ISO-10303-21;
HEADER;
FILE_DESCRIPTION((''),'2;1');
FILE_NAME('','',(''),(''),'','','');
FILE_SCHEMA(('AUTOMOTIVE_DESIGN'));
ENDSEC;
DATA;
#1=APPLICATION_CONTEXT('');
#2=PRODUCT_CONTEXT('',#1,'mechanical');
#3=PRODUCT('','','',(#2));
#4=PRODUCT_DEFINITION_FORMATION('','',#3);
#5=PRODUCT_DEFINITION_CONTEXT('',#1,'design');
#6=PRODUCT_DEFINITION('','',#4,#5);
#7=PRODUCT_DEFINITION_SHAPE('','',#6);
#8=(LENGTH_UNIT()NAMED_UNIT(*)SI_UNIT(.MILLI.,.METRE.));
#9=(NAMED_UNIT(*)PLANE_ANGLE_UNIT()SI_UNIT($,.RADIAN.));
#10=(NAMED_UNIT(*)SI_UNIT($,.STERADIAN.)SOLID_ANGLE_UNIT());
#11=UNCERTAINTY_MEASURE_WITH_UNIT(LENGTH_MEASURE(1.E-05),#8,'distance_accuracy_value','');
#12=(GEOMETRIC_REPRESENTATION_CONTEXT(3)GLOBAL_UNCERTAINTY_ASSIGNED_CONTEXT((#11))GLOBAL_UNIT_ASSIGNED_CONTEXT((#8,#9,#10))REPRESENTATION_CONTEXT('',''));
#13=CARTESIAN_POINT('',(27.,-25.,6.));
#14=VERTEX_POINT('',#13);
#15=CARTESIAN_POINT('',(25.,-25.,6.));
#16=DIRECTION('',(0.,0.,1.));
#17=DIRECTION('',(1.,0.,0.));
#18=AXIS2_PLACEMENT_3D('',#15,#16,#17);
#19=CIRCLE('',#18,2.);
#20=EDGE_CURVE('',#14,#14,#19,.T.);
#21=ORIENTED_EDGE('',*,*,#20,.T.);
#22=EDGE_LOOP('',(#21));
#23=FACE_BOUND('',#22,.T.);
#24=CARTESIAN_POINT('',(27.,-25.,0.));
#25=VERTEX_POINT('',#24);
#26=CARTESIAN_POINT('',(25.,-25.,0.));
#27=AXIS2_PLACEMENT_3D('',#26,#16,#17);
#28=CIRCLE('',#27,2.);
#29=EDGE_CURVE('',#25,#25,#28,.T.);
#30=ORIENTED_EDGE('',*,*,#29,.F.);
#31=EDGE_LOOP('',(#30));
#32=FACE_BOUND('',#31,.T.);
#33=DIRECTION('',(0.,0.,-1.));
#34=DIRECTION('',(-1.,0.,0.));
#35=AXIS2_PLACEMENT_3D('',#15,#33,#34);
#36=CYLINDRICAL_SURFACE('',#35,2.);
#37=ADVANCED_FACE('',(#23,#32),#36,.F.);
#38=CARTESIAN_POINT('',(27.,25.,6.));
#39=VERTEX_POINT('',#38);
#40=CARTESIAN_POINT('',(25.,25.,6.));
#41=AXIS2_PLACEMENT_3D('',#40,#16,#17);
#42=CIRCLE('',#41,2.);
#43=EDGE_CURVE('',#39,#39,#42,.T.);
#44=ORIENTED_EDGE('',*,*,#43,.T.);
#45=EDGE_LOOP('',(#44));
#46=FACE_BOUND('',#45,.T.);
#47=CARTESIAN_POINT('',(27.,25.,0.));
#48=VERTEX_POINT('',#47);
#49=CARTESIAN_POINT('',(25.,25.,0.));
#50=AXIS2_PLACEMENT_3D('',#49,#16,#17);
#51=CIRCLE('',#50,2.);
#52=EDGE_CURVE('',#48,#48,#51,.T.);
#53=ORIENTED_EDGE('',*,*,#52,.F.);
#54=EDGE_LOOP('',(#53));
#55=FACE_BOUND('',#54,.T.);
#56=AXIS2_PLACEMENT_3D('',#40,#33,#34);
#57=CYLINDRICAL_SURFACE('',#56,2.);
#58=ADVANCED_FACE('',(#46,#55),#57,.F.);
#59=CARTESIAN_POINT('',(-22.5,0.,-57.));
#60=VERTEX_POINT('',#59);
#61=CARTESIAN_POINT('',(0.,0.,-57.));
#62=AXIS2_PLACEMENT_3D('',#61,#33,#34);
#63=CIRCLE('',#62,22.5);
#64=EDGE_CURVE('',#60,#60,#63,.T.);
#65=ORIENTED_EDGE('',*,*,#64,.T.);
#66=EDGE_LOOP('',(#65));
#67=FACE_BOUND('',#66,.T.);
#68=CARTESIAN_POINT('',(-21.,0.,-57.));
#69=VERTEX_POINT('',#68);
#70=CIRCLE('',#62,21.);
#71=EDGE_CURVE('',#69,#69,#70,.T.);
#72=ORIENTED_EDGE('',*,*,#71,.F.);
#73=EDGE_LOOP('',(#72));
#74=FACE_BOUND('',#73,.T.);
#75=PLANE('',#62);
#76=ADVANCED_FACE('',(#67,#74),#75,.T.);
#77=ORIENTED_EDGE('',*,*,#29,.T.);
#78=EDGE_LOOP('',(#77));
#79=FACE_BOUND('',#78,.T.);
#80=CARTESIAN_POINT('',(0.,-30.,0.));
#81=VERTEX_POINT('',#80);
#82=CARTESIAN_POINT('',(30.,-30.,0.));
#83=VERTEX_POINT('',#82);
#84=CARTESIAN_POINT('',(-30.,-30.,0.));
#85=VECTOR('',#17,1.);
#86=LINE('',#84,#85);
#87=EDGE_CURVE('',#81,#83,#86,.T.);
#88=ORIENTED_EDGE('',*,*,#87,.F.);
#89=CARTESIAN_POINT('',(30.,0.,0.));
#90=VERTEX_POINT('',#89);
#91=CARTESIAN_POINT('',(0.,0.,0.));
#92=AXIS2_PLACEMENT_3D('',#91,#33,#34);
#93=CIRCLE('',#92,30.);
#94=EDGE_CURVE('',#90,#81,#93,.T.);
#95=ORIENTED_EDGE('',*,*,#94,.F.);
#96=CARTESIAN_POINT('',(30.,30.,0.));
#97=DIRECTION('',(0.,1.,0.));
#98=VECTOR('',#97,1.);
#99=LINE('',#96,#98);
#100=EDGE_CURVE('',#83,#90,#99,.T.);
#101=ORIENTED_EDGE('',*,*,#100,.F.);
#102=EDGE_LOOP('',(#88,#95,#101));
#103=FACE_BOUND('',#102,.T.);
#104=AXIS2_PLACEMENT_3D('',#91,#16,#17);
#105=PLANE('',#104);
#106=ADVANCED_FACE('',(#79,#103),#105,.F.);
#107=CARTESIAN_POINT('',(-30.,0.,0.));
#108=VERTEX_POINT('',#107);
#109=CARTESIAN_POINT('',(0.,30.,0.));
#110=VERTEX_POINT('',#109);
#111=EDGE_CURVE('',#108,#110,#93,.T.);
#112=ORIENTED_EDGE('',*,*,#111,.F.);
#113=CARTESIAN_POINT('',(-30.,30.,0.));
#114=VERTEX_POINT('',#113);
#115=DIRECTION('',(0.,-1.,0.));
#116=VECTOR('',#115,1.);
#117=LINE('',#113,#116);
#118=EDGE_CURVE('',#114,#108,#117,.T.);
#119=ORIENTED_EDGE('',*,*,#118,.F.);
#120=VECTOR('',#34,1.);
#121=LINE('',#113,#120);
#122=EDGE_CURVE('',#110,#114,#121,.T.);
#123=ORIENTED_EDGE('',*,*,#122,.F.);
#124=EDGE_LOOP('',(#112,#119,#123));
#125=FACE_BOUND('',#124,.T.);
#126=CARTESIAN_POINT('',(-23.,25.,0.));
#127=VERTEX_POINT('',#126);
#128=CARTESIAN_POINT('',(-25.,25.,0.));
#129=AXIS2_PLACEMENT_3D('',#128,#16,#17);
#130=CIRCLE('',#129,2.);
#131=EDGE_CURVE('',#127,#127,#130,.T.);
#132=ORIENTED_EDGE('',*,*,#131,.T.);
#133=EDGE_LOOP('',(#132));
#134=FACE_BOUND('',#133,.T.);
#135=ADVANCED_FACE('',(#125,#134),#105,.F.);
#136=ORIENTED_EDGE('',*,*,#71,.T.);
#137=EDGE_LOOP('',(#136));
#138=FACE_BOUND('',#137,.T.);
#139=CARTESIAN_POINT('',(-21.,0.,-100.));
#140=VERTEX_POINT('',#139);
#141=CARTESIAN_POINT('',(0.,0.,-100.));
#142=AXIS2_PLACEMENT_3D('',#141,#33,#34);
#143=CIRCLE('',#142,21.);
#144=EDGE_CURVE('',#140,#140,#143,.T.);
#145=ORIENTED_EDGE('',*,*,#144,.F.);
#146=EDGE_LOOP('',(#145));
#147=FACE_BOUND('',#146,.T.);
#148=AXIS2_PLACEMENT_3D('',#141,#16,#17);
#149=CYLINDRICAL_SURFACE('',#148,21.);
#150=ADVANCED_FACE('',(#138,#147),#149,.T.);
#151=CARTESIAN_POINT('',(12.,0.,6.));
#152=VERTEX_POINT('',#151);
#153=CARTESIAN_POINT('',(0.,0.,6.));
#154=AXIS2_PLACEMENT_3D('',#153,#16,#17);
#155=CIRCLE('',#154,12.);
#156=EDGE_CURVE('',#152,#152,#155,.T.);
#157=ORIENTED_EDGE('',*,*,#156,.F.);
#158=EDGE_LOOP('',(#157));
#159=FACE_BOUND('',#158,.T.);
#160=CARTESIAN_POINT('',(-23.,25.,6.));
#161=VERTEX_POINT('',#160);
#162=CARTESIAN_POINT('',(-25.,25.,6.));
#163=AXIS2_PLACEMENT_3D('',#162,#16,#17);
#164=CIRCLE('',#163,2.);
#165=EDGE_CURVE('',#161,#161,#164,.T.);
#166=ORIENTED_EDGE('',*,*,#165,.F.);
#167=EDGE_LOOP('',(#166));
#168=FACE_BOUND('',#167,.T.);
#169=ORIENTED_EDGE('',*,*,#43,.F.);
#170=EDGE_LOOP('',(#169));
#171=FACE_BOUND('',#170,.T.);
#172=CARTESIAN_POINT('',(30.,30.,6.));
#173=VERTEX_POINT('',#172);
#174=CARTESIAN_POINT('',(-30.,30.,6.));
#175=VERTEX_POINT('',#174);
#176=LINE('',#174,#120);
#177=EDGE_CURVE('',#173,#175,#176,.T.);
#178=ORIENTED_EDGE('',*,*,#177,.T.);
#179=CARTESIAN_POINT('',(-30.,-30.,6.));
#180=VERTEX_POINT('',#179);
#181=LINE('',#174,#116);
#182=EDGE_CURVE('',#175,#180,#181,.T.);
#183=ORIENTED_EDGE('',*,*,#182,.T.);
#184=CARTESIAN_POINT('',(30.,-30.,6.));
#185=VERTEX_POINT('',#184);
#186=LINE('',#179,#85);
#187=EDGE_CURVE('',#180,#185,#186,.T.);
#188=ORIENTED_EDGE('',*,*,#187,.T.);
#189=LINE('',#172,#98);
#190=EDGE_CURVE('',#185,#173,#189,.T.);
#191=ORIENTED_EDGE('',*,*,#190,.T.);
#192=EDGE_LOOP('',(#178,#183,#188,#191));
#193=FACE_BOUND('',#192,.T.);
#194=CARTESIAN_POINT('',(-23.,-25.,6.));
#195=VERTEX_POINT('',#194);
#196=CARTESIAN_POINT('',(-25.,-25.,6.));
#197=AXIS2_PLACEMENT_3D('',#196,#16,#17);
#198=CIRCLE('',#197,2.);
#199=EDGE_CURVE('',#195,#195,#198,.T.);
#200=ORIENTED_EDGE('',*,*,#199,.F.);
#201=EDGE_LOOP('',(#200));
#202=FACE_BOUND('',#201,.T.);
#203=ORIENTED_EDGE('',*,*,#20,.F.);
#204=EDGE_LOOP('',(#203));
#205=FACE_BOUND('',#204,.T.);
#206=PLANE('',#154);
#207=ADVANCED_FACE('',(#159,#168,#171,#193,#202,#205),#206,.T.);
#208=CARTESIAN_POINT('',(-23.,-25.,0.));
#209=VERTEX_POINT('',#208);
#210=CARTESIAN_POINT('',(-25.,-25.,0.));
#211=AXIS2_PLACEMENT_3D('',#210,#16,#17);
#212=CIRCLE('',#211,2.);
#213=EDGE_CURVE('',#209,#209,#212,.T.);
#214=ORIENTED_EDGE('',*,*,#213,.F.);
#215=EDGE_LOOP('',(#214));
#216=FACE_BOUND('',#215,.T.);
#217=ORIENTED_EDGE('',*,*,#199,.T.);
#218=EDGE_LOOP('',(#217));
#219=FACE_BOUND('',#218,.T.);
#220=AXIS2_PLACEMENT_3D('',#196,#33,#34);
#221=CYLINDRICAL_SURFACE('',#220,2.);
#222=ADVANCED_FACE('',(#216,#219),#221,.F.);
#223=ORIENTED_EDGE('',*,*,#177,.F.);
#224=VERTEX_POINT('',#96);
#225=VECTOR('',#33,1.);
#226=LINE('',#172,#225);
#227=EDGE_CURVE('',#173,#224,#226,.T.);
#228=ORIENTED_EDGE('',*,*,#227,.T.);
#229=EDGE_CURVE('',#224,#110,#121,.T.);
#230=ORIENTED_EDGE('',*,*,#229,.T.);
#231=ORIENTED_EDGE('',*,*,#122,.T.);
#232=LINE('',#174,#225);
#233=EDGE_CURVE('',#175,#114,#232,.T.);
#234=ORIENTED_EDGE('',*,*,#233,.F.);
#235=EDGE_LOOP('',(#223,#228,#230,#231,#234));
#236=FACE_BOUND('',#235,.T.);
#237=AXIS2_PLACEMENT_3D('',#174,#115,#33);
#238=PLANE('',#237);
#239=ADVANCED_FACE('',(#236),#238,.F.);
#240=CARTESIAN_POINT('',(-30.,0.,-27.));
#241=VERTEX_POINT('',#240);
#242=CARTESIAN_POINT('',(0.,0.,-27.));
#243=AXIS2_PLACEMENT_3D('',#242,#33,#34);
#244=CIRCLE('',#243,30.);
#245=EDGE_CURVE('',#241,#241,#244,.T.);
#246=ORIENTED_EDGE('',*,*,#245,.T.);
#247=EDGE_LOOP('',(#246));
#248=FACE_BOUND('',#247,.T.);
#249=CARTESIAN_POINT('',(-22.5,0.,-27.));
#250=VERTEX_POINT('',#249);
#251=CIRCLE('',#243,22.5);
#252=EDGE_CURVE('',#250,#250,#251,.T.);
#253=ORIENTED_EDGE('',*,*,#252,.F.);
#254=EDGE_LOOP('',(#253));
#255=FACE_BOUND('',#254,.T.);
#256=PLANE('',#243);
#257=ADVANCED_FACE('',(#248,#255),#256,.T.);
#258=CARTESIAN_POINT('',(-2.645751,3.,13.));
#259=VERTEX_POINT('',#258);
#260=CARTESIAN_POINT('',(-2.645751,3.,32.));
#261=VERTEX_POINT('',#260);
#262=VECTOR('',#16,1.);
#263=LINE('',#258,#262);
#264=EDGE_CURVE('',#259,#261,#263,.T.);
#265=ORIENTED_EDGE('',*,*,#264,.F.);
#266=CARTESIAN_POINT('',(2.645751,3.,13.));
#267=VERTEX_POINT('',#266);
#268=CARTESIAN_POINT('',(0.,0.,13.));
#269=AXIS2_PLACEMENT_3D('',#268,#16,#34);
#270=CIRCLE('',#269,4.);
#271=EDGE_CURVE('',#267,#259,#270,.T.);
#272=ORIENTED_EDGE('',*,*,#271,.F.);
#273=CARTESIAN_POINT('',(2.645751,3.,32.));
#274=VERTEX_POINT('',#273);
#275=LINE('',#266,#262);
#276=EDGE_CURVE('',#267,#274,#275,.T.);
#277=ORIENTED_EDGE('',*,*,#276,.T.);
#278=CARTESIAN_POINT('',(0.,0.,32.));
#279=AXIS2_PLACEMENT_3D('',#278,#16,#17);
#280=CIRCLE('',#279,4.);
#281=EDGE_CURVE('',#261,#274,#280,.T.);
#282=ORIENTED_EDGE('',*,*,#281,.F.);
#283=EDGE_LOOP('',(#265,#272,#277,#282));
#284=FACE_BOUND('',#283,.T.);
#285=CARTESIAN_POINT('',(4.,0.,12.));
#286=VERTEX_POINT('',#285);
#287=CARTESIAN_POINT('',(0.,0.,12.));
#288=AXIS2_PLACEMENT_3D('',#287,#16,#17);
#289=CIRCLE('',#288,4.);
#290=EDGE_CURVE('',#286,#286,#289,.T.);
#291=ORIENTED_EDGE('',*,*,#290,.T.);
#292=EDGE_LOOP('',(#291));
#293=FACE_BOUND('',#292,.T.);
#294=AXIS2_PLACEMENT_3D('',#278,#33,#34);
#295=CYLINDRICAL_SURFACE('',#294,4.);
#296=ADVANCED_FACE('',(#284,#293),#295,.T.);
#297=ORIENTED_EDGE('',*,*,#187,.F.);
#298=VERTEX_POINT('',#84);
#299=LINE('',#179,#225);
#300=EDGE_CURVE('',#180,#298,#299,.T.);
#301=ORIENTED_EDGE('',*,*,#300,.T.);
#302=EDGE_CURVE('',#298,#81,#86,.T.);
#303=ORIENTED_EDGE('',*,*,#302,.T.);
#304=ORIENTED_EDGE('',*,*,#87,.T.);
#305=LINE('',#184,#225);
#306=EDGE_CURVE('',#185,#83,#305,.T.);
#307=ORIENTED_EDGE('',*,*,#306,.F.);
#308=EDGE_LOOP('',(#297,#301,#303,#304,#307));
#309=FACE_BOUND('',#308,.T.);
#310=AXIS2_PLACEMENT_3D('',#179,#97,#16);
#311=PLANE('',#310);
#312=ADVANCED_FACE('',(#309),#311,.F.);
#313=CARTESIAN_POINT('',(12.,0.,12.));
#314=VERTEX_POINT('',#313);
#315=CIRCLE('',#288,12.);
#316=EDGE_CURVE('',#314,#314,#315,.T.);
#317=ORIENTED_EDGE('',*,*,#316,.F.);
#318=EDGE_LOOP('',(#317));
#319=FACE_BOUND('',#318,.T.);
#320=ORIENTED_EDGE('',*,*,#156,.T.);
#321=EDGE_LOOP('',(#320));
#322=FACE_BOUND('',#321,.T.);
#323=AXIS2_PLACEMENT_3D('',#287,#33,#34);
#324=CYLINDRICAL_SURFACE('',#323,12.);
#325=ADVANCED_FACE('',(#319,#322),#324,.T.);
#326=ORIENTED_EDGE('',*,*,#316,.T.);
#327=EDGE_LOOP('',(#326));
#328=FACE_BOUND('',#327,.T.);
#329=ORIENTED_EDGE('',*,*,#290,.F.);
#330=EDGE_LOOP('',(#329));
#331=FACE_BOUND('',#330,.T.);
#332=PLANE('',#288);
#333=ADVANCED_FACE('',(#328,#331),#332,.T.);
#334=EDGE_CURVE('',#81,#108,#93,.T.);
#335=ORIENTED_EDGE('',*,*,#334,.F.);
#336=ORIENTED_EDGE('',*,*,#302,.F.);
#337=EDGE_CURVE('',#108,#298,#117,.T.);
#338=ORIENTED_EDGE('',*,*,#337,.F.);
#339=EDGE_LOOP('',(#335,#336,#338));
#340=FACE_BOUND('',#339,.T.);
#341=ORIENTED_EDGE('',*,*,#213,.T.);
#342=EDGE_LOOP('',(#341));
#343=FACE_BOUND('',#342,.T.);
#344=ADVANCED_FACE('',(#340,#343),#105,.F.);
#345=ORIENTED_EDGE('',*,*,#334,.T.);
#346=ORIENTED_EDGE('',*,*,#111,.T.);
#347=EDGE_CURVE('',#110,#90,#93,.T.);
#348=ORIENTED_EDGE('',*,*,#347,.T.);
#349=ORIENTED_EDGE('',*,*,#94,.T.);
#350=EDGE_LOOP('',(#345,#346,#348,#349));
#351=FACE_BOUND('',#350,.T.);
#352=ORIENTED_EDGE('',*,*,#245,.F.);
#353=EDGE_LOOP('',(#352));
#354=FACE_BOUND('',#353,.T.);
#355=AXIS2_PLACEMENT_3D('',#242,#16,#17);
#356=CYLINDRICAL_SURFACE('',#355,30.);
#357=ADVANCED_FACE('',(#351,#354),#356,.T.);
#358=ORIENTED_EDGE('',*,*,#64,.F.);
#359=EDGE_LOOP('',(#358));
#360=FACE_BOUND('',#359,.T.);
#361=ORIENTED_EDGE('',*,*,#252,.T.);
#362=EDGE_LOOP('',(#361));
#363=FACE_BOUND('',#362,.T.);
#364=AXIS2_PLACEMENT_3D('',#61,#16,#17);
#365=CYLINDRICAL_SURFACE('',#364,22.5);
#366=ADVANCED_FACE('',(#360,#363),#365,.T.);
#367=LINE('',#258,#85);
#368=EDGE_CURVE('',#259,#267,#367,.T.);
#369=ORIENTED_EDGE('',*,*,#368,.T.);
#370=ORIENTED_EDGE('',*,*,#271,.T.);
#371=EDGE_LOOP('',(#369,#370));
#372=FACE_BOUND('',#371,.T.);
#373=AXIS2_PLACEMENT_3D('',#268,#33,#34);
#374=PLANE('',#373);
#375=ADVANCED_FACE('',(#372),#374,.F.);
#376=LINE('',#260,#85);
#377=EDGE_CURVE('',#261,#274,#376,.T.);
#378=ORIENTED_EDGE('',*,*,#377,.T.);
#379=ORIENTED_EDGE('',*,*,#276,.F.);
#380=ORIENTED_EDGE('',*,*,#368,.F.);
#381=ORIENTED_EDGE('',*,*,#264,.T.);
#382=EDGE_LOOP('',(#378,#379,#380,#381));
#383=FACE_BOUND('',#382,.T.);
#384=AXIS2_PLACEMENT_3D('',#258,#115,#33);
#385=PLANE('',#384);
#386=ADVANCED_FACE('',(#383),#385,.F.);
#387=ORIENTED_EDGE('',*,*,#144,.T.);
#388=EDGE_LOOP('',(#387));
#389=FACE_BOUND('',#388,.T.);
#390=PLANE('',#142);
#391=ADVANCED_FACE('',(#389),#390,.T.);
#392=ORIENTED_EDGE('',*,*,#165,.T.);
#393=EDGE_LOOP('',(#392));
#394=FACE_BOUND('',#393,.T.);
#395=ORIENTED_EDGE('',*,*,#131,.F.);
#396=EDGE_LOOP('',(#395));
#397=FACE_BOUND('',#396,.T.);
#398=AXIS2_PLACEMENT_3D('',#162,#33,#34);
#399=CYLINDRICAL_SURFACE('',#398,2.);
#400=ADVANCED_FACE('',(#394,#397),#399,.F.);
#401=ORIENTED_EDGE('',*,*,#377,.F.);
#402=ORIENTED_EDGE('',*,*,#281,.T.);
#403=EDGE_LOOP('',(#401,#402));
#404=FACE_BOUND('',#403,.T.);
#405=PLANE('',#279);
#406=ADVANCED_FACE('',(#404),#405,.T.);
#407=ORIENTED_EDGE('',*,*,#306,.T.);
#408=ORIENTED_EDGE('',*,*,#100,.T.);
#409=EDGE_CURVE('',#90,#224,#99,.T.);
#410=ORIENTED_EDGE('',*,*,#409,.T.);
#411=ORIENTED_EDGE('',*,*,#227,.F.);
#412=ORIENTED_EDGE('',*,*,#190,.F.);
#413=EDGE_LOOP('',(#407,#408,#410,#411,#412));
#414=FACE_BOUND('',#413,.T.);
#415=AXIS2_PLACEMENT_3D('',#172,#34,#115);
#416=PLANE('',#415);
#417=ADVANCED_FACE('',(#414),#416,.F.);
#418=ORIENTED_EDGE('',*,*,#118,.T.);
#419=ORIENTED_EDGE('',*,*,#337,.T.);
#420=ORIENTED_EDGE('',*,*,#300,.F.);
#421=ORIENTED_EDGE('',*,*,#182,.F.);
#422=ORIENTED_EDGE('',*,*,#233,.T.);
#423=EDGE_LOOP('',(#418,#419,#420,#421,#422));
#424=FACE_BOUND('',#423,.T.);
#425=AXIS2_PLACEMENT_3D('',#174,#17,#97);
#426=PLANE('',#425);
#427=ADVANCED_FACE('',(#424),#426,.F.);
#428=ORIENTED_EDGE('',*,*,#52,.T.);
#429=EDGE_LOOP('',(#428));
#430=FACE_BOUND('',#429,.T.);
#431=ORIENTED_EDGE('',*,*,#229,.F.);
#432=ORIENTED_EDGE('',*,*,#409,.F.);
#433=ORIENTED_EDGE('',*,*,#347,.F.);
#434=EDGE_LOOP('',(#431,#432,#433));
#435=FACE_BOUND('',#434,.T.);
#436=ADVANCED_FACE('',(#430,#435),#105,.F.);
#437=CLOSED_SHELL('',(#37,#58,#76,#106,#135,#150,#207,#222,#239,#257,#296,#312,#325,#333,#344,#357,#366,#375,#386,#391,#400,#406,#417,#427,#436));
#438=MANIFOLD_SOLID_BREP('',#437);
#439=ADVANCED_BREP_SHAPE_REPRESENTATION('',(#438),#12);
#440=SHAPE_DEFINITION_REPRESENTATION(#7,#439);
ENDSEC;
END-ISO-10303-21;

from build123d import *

# Parameters (mm, degrees)
SKETCH1_W           = 60
SKETCH1_H           = 60
SKETCH1_R           = 2
BOSS_EXTRUDE1_DEPTH = 6
SKETCH2_R           = 12
BOSS_EXTRUDE2_DEPTH = 6
SKETCH3_R           = 4
BOSS_EXTRUDE3_DEPTH = 20
CUT_EXTRUDE1_START  = -19
CUT_EXTRUDE1_DEPTH  = 19
SKETCH5_R           = 30
BOSS_EXTRUDE4_DEPTH = 27
SKETCH6_R           = 22.5
BOSS_EXTRUDE5_DEPTH = 30
SKETCH7_R           = 21
BOSS_EXTRUDE6_DEPTH = 43


with BuildPart() as part:
    # Sketch1 → Boss-Extrude1 (new body)
    with BuildSketch(Plane.XY):
        Rectangle(SKETCH1_W, SKETCH1_H)
        with Locations((-25, 25)):
            Circle(SKETCH1_R, mode=Mode.SUBTRACT)
        with Locations((25, 25)):
            Circle(SKETCH1_R, mode=Mode.SUBTRACT)
        with Locations((-25, -25)):
            Circle(SKETCH1_R, mode=Mode.SUBTRACT)
        with Locations((25, -25)):
            Circle(SKETCH1_R, mode=Mode.SUBTRACT)
    extrude(amount=BOSS_EXTRUDE1_DEPTH)

    # Sketch2 → Boss-Extrude2 (add)
    with BuildSketch(Plane.XY.offset(6)):
        Circle(SKETCH2_R)
    extrude(amount=BOSS_EXTRUDE2_DEPTH)

    # Sketch3 → Boss-Extrude3 (add)
    with BuildSketch(Plane.XY.offset(12)):
        Circle(SKETCH3_R)
    extrude(amount=BOSS_EXTRUDE3_DEPTH)

    # Sketch4 → Cut-Extrude1 (cut)
    with BuildSketch(Plane.XY.offset(32).offset(CUT_EXTRUDE1_START)):
        with BuildLine():
            Line((-2.645751311, 3), (2.645751311, 3))
            ThreePointArc((2.645751311, 3), (0, 4), (-2.645751311, 3))
        make_face()
    extrude(amount=CUT_EXTRUDE1_DEPTH, mode=Mode.SUBTRACT)

    # Sketch5 → Boss-Extrude4 (add)
    with BuildSketch(Plane(origin=(0, 0, 0), x_dir=(-1, 0, 0), z_dir=(0, 0, -1))):
        Circle(SKETCH5_R)
    extrude(amount=BOSS_EXTRUDE4_DEPTH)

    # Sketch6 → Boss-Extrude5 (add)
    with BuildSketch(Plane(origin=(0, 0, -27), x_dir=(-1, 0, 0), z_dir=(0, 0, -1))):
        Circle(SKETCH6_R)
    extrude(amount=BOSS_EXTRUDE5_DEPTH)

    # Sketch7 → Boss-Extrude6 (add)
    with BuildSketch(Plane(origin=(0, 0, -57), x_dir=(-1, 0, 0), z_dir=(0, 0, -1))):
        Circle(SKETCH7_R)
    extrude(amount=BOSS_EXTRUDE6_DEPTH)


solid = part.part
